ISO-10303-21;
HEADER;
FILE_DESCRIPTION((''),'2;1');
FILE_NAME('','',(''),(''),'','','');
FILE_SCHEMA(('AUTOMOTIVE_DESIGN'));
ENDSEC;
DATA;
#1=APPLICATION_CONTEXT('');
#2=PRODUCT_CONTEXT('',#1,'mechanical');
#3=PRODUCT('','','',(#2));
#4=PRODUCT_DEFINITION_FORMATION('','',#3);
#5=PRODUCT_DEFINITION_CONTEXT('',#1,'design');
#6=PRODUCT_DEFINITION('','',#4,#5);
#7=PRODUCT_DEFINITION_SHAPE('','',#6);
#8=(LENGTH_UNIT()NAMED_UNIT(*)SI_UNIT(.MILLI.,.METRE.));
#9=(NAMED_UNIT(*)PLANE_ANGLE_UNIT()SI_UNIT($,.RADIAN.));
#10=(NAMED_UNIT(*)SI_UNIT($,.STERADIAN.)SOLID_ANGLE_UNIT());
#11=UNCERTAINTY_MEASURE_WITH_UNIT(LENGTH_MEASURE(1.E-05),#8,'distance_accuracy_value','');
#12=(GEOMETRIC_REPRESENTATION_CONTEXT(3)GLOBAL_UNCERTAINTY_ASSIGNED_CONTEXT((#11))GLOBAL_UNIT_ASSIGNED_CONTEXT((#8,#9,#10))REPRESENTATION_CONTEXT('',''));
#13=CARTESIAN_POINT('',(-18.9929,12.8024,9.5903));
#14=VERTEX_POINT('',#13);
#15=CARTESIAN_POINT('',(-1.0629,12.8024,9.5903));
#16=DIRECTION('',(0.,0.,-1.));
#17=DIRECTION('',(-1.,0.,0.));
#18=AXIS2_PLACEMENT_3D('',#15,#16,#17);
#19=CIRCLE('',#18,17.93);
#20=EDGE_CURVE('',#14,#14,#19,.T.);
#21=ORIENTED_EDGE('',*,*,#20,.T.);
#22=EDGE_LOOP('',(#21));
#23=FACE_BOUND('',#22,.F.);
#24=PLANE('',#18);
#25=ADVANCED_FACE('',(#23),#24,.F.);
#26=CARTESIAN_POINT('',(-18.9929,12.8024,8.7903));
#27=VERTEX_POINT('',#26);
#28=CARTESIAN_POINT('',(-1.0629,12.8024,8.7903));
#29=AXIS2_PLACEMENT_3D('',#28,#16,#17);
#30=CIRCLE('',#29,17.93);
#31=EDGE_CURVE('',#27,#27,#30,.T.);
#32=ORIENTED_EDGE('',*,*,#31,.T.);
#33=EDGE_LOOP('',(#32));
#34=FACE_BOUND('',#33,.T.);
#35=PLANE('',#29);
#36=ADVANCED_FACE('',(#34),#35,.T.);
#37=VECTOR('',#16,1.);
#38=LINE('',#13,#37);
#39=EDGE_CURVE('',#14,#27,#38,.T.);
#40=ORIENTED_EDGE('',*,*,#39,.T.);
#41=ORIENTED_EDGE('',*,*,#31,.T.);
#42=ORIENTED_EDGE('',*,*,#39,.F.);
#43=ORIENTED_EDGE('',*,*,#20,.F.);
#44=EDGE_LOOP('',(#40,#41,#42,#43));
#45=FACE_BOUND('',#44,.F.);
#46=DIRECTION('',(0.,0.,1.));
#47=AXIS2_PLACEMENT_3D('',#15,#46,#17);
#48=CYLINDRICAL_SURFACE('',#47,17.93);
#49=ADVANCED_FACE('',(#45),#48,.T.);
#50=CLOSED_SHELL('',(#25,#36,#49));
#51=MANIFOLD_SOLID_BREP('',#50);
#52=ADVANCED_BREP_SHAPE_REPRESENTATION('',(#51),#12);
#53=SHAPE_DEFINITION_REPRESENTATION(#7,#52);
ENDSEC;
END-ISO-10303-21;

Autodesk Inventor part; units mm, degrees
ref_plane "YZ Plane" through (0, 0, 0) normal (1, 0, 0) x (0, 1, 0)
ref_plane "XZ Plane" through (0, 0, 0) normal (0, 1, 0) x (-1, 0, 0)
ref_plane "XY Plane" through (0, 0, 0) normal (0, 0, 1) x (1, 0, 0)
ref_plane "Work Plane1" through (-1.0629, 12.8024, 9.5903) normal (0, 0, -1) x (-1, 0, 0)
sketch "Sketch1" plane through (-1.0629, 12.8024, 9.5903) normal (0, 0, -1) x (-1, 0, 0)
  circle A0 centre (0, 0) radius 17.93 projected
  point P0 (-1.0629, -12.8024)
extrude "Extrusion1" add sketch "Sketch1" along normal blind 0.8
properties part number "capot inférieur" material "Iron, Cast"
